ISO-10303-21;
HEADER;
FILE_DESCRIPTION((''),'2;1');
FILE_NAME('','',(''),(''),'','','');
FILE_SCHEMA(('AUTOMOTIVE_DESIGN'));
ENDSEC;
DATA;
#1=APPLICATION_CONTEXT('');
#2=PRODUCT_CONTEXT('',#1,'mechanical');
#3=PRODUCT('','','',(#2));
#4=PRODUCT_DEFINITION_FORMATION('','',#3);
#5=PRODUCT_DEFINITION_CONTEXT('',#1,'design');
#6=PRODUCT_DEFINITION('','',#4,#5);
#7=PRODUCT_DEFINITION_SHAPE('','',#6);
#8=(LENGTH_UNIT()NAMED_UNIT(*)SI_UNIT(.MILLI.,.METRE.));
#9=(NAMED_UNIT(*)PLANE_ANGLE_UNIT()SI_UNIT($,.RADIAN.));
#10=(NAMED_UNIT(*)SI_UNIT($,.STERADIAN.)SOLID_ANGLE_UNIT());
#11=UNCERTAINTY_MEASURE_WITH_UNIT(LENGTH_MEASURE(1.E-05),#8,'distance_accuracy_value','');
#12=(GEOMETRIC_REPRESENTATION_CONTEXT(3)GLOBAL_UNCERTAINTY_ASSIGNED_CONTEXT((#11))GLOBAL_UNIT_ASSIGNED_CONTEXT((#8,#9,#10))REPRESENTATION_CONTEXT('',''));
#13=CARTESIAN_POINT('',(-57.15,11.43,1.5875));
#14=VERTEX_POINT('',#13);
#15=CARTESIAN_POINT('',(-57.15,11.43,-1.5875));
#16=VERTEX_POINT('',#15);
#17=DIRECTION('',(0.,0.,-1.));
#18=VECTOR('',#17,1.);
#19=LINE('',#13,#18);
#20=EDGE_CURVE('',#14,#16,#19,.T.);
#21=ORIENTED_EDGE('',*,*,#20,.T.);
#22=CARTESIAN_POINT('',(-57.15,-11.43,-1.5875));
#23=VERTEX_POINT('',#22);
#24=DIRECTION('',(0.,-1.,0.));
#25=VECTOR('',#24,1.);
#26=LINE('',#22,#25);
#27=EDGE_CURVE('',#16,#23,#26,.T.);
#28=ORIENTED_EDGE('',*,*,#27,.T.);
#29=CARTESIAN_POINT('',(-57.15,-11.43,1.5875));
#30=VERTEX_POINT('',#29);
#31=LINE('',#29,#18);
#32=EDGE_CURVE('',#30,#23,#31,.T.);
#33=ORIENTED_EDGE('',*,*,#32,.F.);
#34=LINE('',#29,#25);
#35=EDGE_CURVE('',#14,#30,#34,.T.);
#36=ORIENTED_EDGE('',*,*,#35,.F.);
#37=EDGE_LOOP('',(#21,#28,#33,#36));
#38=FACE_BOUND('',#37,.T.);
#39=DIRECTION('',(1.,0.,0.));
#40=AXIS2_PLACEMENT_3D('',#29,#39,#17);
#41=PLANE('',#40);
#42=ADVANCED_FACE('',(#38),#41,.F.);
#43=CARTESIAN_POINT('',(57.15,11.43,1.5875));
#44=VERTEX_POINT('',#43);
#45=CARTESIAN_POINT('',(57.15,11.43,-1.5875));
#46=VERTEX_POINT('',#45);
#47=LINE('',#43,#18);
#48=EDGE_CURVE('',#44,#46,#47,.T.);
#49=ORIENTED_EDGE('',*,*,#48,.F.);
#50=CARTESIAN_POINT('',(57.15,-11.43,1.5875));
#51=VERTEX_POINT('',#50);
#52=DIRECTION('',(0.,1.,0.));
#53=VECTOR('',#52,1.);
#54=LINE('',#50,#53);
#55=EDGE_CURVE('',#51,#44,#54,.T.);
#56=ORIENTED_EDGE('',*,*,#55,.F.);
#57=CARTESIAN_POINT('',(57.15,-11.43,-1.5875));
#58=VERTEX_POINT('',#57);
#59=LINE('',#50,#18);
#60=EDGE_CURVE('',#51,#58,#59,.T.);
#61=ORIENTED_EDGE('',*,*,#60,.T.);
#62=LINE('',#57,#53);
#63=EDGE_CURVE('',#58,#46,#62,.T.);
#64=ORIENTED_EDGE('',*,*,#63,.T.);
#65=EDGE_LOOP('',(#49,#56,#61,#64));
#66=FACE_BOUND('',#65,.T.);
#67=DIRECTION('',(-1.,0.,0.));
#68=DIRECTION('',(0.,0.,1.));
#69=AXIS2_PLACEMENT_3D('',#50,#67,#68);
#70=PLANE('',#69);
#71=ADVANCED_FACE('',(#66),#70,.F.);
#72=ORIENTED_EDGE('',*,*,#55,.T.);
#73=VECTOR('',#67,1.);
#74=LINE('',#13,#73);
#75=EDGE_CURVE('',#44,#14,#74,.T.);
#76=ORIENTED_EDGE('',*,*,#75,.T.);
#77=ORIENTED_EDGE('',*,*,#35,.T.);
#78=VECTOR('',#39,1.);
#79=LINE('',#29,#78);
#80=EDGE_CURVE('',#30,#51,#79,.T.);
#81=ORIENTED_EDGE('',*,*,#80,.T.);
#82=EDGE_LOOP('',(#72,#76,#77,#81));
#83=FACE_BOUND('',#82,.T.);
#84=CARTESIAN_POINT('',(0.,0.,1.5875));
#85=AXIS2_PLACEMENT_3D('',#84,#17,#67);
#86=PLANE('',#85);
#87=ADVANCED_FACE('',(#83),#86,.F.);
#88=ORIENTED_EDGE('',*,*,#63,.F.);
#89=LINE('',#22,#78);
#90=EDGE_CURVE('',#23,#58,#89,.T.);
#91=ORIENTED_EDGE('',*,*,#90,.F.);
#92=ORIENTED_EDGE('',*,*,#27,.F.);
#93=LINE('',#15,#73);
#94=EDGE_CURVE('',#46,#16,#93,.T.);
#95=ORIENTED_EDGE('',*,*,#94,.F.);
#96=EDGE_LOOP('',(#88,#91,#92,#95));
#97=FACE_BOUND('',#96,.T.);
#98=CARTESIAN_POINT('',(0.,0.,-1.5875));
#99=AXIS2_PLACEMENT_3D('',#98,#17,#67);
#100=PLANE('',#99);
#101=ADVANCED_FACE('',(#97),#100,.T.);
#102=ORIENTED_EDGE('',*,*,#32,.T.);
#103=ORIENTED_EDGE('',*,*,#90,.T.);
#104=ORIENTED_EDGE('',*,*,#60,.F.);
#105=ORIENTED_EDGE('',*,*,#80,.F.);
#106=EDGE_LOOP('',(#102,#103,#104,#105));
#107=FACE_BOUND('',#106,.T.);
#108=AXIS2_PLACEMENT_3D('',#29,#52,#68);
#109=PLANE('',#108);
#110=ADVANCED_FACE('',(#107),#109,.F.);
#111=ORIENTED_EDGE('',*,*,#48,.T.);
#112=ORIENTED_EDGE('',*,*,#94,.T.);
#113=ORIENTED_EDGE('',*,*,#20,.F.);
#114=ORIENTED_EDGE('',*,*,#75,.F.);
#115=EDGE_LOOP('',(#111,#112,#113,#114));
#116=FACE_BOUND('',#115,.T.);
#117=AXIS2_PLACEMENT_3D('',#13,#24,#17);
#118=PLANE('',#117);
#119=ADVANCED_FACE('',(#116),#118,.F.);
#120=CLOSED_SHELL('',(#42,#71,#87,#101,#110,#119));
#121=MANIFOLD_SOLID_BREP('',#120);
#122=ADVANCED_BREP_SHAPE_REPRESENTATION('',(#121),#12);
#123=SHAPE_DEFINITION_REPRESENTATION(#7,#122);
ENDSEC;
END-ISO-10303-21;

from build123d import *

# Parameters (mm, degrees)
SKETCH1_W           = 114.3
SKETCH1_H           = 22.86
BOSS_EXTRUDE1_DEPTH = 1.5875


with BuildPart() as part:
    # Sketch1 → Boss-Extrude1 (new body, symmetric)
    with BuildSketch(Plane.XY):
        Rectangle(SKETCH1_W, SKETCH1_H)
    extrude(amount=BOSS_EXTRUDE1_DEPTH, both=True)


solid = part.part
